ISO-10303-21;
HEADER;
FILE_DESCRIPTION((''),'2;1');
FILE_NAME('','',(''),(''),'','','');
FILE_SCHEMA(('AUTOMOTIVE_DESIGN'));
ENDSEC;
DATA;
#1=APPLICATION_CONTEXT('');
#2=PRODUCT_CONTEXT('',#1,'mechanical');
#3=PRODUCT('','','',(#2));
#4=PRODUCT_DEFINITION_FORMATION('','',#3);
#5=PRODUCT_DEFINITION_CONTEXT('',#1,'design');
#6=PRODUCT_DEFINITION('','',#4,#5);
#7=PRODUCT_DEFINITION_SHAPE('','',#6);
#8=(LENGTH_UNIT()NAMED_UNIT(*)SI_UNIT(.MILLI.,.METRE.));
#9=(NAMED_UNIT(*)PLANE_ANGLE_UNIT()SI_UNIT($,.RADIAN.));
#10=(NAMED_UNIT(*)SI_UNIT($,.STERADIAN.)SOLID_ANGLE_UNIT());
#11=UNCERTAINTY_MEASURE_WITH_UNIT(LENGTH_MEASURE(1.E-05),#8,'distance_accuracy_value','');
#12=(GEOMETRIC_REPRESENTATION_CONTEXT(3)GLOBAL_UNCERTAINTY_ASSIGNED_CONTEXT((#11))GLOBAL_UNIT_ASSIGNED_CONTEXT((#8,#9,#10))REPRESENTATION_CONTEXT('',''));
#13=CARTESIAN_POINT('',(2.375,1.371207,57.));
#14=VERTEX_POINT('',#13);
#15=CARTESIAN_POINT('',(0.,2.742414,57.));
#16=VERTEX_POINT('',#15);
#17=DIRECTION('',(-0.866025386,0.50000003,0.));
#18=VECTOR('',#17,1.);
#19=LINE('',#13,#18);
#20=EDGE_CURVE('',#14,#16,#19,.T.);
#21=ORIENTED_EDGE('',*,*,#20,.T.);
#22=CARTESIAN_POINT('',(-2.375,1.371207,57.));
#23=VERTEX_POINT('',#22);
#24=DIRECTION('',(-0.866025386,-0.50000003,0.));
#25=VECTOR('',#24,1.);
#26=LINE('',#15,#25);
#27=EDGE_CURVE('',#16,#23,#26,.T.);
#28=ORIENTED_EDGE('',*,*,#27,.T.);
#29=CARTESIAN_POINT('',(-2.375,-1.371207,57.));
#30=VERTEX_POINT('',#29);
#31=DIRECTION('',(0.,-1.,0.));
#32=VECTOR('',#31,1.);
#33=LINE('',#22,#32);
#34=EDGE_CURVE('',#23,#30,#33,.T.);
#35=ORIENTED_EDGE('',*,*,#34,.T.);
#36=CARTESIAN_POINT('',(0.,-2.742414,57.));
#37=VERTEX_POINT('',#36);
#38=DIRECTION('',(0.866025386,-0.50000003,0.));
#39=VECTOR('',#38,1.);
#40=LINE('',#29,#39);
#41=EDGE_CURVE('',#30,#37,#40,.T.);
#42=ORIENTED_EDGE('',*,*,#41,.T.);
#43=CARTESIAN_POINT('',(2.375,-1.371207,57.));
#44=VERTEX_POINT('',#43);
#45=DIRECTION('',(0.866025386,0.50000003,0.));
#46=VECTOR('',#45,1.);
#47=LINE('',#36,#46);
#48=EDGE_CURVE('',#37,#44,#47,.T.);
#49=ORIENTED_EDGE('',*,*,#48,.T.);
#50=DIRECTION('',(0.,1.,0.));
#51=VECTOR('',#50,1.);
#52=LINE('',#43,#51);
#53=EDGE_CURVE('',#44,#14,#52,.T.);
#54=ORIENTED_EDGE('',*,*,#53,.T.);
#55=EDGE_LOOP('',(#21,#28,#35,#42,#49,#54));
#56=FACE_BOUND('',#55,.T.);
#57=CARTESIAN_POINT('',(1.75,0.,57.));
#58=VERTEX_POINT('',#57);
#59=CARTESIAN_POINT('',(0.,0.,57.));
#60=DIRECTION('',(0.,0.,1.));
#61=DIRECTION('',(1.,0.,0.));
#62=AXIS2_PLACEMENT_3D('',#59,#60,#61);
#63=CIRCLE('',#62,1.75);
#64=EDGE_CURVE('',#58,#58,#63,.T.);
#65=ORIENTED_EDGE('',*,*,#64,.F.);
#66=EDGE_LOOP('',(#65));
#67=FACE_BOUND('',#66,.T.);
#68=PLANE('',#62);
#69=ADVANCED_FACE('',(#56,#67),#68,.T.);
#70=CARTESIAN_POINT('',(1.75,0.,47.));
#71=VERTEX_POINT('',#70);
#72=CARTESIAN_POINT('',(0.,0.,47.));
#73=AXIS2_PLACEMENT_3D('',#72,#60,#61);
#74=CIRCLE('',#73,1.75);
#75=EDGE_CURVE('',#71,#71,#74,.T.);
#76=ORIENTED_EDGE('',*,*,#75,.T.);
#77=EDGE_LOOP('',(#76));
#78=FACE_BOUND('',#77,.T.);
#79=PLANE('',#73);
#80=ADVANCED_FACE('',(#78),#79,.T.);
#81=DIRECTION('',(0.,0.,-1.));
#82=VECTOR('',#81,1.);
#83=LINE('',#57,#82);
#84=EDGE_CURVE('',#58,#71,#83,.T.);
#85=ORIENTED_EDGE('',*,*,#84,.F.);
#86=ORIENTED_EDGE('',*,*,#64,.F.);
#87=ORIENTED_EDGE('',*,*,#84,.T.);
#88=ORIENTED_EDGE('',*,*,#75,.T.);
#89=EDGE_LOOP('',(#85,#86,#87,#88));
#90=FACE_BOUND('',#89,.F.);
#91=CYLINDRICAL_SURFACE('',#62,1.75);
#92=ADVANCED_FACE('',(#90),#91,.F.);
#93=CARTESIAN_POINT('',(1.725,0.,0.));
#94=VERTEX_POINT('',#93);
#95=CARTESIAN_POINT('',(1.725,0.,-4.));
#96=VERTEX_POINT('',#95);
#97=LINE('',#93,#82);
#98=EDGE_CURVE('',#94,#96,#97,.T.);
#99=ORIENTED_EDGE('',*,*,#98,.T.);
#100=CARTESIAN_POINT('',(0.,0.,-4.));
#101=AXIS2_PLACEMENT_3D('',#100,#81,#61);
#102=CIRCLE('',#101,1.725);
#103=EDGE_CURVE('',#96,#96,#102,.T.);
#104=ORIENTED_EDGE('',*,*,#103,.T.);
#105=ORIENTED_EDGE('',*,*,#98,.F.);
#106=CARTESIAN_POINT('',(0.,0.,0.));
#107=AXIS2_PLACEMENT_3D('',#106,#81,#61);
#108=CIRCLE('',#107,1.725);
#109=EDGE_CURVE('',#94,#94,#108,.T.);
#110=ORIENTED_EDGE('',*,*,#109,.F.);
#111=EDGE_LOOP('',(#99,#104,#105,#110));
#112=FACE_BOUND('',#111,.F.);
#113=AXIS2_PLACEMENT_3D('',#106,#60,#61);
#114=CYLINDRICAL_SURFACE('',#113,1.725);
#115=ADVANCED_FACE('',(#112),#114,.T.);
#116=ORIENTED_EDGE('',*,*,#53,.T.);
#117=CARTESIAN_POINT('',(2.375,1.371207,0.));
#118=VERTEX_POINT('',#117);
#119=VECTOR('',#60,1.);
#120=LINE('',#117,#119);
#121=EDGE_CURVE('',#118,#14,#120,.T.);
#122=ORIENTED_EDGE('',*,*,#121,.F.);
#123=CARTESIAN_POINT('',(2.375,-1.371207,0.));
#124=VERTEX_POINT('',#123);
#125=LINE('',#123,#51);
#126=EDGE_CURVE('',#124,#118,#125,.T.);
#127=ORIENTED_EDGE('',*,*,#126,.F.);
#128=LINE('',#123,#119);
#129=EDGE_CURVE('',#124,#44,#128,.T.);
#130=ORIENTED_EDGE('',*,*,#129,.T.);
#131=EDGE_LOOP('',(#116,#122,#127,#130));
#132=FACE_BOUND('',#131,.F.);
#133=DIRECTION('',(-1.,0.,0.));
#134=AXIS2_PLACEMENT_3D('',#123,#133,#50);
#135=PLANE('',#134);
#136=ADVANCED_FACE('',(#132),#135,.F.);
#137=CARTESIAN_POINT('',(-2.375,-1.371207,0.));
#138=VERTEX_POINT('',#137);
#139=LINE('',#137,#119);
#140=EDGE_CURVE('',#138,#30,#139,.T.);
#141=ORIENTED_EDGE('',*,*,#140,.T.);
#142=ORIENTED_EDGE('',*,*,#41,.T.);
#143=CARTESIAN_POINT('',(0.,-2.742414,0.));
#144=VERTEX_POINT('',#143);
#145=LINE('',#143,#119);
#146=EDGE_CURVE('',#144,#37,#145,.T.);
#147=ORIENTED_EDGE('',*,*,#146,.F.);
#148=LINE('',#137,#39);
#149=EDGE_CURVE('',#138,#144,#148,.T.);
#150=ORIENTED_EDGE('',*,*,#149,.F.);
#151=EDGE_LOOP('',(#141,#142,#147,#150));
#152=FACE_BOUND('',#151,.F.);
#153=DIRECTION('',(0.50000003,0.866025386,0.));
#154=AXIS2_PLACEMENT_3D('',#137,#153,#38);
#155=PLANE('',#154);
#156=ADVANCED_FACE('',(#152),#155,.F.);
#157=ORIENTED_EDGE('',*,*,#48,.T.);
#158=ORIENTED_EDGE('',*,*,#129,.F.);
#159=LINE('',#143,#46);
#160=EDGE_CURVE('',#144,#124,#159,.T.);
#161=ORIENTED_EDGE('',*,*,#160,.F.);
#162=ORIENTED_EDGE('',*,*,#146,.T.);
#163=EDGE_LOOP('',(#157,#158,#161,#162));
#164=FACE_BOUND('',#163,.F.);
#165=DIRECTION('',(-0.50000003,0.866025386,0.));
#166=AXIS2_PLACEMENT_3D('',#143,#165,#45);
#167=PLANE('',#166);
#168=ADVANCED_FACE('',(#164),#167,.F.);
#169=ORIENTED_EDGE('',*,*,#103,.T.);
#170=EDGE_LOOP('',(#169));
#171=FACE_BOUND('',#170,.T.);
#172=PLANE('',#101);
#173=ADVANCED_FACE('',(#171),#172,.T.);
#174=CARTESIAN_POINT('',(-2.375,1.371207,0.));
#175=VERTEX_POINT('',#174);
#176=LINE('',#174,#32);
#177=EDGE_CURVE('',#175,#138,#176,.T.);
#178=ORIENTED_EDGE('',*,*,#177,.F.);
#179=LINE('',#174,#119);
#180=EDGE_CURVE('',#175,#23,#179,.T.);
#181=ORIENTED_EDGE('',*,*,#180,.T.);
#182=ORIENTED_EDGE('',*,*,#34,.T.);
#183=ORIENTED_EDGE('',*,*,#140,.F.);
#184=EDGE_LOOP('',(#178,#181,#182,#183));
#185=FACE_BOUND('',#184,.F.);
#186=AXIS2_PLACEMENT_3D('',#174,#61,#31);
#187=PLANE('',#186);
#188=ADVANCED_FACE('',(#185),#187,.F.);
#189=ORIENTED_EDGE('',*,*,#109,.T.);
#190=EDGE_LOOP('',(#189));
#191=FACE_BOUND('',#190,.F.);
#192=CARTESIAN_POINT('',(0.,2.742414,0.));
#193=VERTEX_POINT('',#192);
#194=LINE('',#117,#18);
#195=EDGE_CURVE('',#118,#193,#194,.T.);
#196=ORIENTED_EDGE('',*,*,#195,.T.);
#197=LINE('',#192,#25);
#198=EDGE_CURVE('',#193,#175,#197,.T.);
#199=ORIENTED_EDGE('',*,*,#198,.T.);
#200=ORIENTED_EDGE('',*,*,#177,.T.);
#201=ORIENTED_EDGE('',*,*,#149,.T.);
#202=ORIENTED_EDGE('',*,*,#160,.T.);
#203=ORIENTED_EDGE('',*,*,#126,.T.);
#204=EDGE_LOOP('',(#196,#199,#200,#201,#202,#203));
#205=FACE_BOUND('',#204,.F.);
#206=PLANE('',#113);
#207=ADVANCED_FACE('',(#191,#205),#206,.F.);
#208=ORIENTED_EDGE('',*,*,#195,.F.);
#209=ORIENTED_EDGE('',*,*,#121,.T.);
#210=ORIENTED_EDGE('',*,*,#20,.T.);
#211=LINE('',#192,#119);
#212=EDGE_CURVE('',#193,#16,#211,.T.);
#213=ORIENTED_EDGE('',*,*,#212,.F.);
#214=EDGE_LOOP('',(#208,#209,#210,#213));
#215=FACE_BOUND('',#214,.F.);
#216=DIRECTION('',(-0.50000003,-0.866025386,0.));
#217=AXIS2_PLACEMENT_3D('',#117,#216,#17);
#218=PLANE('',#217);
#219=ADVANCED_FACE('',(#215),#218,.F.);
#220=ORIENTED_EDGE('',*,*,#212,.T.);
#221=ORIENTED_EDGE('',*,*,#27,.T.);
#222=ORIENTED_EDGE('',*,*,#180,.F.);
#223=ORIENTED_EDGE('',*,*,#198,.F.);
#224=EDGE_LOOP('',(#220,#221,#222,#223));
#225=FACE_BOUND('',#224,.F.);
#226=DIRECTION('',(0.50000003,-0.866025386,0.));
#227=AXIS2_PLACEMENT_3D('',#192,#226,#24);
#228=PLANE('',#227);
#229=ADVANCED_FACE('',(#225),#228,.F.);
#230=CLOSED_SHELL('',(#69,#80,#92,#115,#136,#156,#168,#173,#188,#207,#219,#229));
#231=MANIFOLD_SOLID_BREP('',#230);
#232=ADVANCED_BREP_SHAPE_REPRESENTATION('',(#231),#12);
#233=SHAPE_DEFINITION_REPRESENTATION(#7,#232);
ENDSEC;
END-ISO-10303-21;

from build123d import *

# Parameters (mm, degrees)
F1_DEPTH = 57
F2_R     = 1.75
F3_DEPTH = 10
F4_R     = 1.725
F5_DEPTH = 4


with BuildPart() as f1:
    # F0 (on Top) → F1 (new body)
    with BuildSketch(Plane.XY):
        Polygon((2.375, 1.371207), (0, 2.742414), (-2.375, 1.371207), (-2.375, -1.371207), (0, -2.742414), (2.375, -1.371207), align=None)
    extrude(amount=F1_DEPTH)

    # F2 (on face) → F3 (cut)
    with BuildSketch(Plane.XY.offset(57)):
        Circle(F2_R)
    extrude(amount=-F3_DEPTH, mode=Mode.SUBTRACT)

    # F4 (on face) → F5 (join)
    with BuildSketch(Plane(origin=(0, 0, 0), x_dir=(1, 0, 0), z_dir=(0, 0, -1))):
        Circle(F4_R)
    extrude(amount=F5_DEPTH)


solid = f1.part
